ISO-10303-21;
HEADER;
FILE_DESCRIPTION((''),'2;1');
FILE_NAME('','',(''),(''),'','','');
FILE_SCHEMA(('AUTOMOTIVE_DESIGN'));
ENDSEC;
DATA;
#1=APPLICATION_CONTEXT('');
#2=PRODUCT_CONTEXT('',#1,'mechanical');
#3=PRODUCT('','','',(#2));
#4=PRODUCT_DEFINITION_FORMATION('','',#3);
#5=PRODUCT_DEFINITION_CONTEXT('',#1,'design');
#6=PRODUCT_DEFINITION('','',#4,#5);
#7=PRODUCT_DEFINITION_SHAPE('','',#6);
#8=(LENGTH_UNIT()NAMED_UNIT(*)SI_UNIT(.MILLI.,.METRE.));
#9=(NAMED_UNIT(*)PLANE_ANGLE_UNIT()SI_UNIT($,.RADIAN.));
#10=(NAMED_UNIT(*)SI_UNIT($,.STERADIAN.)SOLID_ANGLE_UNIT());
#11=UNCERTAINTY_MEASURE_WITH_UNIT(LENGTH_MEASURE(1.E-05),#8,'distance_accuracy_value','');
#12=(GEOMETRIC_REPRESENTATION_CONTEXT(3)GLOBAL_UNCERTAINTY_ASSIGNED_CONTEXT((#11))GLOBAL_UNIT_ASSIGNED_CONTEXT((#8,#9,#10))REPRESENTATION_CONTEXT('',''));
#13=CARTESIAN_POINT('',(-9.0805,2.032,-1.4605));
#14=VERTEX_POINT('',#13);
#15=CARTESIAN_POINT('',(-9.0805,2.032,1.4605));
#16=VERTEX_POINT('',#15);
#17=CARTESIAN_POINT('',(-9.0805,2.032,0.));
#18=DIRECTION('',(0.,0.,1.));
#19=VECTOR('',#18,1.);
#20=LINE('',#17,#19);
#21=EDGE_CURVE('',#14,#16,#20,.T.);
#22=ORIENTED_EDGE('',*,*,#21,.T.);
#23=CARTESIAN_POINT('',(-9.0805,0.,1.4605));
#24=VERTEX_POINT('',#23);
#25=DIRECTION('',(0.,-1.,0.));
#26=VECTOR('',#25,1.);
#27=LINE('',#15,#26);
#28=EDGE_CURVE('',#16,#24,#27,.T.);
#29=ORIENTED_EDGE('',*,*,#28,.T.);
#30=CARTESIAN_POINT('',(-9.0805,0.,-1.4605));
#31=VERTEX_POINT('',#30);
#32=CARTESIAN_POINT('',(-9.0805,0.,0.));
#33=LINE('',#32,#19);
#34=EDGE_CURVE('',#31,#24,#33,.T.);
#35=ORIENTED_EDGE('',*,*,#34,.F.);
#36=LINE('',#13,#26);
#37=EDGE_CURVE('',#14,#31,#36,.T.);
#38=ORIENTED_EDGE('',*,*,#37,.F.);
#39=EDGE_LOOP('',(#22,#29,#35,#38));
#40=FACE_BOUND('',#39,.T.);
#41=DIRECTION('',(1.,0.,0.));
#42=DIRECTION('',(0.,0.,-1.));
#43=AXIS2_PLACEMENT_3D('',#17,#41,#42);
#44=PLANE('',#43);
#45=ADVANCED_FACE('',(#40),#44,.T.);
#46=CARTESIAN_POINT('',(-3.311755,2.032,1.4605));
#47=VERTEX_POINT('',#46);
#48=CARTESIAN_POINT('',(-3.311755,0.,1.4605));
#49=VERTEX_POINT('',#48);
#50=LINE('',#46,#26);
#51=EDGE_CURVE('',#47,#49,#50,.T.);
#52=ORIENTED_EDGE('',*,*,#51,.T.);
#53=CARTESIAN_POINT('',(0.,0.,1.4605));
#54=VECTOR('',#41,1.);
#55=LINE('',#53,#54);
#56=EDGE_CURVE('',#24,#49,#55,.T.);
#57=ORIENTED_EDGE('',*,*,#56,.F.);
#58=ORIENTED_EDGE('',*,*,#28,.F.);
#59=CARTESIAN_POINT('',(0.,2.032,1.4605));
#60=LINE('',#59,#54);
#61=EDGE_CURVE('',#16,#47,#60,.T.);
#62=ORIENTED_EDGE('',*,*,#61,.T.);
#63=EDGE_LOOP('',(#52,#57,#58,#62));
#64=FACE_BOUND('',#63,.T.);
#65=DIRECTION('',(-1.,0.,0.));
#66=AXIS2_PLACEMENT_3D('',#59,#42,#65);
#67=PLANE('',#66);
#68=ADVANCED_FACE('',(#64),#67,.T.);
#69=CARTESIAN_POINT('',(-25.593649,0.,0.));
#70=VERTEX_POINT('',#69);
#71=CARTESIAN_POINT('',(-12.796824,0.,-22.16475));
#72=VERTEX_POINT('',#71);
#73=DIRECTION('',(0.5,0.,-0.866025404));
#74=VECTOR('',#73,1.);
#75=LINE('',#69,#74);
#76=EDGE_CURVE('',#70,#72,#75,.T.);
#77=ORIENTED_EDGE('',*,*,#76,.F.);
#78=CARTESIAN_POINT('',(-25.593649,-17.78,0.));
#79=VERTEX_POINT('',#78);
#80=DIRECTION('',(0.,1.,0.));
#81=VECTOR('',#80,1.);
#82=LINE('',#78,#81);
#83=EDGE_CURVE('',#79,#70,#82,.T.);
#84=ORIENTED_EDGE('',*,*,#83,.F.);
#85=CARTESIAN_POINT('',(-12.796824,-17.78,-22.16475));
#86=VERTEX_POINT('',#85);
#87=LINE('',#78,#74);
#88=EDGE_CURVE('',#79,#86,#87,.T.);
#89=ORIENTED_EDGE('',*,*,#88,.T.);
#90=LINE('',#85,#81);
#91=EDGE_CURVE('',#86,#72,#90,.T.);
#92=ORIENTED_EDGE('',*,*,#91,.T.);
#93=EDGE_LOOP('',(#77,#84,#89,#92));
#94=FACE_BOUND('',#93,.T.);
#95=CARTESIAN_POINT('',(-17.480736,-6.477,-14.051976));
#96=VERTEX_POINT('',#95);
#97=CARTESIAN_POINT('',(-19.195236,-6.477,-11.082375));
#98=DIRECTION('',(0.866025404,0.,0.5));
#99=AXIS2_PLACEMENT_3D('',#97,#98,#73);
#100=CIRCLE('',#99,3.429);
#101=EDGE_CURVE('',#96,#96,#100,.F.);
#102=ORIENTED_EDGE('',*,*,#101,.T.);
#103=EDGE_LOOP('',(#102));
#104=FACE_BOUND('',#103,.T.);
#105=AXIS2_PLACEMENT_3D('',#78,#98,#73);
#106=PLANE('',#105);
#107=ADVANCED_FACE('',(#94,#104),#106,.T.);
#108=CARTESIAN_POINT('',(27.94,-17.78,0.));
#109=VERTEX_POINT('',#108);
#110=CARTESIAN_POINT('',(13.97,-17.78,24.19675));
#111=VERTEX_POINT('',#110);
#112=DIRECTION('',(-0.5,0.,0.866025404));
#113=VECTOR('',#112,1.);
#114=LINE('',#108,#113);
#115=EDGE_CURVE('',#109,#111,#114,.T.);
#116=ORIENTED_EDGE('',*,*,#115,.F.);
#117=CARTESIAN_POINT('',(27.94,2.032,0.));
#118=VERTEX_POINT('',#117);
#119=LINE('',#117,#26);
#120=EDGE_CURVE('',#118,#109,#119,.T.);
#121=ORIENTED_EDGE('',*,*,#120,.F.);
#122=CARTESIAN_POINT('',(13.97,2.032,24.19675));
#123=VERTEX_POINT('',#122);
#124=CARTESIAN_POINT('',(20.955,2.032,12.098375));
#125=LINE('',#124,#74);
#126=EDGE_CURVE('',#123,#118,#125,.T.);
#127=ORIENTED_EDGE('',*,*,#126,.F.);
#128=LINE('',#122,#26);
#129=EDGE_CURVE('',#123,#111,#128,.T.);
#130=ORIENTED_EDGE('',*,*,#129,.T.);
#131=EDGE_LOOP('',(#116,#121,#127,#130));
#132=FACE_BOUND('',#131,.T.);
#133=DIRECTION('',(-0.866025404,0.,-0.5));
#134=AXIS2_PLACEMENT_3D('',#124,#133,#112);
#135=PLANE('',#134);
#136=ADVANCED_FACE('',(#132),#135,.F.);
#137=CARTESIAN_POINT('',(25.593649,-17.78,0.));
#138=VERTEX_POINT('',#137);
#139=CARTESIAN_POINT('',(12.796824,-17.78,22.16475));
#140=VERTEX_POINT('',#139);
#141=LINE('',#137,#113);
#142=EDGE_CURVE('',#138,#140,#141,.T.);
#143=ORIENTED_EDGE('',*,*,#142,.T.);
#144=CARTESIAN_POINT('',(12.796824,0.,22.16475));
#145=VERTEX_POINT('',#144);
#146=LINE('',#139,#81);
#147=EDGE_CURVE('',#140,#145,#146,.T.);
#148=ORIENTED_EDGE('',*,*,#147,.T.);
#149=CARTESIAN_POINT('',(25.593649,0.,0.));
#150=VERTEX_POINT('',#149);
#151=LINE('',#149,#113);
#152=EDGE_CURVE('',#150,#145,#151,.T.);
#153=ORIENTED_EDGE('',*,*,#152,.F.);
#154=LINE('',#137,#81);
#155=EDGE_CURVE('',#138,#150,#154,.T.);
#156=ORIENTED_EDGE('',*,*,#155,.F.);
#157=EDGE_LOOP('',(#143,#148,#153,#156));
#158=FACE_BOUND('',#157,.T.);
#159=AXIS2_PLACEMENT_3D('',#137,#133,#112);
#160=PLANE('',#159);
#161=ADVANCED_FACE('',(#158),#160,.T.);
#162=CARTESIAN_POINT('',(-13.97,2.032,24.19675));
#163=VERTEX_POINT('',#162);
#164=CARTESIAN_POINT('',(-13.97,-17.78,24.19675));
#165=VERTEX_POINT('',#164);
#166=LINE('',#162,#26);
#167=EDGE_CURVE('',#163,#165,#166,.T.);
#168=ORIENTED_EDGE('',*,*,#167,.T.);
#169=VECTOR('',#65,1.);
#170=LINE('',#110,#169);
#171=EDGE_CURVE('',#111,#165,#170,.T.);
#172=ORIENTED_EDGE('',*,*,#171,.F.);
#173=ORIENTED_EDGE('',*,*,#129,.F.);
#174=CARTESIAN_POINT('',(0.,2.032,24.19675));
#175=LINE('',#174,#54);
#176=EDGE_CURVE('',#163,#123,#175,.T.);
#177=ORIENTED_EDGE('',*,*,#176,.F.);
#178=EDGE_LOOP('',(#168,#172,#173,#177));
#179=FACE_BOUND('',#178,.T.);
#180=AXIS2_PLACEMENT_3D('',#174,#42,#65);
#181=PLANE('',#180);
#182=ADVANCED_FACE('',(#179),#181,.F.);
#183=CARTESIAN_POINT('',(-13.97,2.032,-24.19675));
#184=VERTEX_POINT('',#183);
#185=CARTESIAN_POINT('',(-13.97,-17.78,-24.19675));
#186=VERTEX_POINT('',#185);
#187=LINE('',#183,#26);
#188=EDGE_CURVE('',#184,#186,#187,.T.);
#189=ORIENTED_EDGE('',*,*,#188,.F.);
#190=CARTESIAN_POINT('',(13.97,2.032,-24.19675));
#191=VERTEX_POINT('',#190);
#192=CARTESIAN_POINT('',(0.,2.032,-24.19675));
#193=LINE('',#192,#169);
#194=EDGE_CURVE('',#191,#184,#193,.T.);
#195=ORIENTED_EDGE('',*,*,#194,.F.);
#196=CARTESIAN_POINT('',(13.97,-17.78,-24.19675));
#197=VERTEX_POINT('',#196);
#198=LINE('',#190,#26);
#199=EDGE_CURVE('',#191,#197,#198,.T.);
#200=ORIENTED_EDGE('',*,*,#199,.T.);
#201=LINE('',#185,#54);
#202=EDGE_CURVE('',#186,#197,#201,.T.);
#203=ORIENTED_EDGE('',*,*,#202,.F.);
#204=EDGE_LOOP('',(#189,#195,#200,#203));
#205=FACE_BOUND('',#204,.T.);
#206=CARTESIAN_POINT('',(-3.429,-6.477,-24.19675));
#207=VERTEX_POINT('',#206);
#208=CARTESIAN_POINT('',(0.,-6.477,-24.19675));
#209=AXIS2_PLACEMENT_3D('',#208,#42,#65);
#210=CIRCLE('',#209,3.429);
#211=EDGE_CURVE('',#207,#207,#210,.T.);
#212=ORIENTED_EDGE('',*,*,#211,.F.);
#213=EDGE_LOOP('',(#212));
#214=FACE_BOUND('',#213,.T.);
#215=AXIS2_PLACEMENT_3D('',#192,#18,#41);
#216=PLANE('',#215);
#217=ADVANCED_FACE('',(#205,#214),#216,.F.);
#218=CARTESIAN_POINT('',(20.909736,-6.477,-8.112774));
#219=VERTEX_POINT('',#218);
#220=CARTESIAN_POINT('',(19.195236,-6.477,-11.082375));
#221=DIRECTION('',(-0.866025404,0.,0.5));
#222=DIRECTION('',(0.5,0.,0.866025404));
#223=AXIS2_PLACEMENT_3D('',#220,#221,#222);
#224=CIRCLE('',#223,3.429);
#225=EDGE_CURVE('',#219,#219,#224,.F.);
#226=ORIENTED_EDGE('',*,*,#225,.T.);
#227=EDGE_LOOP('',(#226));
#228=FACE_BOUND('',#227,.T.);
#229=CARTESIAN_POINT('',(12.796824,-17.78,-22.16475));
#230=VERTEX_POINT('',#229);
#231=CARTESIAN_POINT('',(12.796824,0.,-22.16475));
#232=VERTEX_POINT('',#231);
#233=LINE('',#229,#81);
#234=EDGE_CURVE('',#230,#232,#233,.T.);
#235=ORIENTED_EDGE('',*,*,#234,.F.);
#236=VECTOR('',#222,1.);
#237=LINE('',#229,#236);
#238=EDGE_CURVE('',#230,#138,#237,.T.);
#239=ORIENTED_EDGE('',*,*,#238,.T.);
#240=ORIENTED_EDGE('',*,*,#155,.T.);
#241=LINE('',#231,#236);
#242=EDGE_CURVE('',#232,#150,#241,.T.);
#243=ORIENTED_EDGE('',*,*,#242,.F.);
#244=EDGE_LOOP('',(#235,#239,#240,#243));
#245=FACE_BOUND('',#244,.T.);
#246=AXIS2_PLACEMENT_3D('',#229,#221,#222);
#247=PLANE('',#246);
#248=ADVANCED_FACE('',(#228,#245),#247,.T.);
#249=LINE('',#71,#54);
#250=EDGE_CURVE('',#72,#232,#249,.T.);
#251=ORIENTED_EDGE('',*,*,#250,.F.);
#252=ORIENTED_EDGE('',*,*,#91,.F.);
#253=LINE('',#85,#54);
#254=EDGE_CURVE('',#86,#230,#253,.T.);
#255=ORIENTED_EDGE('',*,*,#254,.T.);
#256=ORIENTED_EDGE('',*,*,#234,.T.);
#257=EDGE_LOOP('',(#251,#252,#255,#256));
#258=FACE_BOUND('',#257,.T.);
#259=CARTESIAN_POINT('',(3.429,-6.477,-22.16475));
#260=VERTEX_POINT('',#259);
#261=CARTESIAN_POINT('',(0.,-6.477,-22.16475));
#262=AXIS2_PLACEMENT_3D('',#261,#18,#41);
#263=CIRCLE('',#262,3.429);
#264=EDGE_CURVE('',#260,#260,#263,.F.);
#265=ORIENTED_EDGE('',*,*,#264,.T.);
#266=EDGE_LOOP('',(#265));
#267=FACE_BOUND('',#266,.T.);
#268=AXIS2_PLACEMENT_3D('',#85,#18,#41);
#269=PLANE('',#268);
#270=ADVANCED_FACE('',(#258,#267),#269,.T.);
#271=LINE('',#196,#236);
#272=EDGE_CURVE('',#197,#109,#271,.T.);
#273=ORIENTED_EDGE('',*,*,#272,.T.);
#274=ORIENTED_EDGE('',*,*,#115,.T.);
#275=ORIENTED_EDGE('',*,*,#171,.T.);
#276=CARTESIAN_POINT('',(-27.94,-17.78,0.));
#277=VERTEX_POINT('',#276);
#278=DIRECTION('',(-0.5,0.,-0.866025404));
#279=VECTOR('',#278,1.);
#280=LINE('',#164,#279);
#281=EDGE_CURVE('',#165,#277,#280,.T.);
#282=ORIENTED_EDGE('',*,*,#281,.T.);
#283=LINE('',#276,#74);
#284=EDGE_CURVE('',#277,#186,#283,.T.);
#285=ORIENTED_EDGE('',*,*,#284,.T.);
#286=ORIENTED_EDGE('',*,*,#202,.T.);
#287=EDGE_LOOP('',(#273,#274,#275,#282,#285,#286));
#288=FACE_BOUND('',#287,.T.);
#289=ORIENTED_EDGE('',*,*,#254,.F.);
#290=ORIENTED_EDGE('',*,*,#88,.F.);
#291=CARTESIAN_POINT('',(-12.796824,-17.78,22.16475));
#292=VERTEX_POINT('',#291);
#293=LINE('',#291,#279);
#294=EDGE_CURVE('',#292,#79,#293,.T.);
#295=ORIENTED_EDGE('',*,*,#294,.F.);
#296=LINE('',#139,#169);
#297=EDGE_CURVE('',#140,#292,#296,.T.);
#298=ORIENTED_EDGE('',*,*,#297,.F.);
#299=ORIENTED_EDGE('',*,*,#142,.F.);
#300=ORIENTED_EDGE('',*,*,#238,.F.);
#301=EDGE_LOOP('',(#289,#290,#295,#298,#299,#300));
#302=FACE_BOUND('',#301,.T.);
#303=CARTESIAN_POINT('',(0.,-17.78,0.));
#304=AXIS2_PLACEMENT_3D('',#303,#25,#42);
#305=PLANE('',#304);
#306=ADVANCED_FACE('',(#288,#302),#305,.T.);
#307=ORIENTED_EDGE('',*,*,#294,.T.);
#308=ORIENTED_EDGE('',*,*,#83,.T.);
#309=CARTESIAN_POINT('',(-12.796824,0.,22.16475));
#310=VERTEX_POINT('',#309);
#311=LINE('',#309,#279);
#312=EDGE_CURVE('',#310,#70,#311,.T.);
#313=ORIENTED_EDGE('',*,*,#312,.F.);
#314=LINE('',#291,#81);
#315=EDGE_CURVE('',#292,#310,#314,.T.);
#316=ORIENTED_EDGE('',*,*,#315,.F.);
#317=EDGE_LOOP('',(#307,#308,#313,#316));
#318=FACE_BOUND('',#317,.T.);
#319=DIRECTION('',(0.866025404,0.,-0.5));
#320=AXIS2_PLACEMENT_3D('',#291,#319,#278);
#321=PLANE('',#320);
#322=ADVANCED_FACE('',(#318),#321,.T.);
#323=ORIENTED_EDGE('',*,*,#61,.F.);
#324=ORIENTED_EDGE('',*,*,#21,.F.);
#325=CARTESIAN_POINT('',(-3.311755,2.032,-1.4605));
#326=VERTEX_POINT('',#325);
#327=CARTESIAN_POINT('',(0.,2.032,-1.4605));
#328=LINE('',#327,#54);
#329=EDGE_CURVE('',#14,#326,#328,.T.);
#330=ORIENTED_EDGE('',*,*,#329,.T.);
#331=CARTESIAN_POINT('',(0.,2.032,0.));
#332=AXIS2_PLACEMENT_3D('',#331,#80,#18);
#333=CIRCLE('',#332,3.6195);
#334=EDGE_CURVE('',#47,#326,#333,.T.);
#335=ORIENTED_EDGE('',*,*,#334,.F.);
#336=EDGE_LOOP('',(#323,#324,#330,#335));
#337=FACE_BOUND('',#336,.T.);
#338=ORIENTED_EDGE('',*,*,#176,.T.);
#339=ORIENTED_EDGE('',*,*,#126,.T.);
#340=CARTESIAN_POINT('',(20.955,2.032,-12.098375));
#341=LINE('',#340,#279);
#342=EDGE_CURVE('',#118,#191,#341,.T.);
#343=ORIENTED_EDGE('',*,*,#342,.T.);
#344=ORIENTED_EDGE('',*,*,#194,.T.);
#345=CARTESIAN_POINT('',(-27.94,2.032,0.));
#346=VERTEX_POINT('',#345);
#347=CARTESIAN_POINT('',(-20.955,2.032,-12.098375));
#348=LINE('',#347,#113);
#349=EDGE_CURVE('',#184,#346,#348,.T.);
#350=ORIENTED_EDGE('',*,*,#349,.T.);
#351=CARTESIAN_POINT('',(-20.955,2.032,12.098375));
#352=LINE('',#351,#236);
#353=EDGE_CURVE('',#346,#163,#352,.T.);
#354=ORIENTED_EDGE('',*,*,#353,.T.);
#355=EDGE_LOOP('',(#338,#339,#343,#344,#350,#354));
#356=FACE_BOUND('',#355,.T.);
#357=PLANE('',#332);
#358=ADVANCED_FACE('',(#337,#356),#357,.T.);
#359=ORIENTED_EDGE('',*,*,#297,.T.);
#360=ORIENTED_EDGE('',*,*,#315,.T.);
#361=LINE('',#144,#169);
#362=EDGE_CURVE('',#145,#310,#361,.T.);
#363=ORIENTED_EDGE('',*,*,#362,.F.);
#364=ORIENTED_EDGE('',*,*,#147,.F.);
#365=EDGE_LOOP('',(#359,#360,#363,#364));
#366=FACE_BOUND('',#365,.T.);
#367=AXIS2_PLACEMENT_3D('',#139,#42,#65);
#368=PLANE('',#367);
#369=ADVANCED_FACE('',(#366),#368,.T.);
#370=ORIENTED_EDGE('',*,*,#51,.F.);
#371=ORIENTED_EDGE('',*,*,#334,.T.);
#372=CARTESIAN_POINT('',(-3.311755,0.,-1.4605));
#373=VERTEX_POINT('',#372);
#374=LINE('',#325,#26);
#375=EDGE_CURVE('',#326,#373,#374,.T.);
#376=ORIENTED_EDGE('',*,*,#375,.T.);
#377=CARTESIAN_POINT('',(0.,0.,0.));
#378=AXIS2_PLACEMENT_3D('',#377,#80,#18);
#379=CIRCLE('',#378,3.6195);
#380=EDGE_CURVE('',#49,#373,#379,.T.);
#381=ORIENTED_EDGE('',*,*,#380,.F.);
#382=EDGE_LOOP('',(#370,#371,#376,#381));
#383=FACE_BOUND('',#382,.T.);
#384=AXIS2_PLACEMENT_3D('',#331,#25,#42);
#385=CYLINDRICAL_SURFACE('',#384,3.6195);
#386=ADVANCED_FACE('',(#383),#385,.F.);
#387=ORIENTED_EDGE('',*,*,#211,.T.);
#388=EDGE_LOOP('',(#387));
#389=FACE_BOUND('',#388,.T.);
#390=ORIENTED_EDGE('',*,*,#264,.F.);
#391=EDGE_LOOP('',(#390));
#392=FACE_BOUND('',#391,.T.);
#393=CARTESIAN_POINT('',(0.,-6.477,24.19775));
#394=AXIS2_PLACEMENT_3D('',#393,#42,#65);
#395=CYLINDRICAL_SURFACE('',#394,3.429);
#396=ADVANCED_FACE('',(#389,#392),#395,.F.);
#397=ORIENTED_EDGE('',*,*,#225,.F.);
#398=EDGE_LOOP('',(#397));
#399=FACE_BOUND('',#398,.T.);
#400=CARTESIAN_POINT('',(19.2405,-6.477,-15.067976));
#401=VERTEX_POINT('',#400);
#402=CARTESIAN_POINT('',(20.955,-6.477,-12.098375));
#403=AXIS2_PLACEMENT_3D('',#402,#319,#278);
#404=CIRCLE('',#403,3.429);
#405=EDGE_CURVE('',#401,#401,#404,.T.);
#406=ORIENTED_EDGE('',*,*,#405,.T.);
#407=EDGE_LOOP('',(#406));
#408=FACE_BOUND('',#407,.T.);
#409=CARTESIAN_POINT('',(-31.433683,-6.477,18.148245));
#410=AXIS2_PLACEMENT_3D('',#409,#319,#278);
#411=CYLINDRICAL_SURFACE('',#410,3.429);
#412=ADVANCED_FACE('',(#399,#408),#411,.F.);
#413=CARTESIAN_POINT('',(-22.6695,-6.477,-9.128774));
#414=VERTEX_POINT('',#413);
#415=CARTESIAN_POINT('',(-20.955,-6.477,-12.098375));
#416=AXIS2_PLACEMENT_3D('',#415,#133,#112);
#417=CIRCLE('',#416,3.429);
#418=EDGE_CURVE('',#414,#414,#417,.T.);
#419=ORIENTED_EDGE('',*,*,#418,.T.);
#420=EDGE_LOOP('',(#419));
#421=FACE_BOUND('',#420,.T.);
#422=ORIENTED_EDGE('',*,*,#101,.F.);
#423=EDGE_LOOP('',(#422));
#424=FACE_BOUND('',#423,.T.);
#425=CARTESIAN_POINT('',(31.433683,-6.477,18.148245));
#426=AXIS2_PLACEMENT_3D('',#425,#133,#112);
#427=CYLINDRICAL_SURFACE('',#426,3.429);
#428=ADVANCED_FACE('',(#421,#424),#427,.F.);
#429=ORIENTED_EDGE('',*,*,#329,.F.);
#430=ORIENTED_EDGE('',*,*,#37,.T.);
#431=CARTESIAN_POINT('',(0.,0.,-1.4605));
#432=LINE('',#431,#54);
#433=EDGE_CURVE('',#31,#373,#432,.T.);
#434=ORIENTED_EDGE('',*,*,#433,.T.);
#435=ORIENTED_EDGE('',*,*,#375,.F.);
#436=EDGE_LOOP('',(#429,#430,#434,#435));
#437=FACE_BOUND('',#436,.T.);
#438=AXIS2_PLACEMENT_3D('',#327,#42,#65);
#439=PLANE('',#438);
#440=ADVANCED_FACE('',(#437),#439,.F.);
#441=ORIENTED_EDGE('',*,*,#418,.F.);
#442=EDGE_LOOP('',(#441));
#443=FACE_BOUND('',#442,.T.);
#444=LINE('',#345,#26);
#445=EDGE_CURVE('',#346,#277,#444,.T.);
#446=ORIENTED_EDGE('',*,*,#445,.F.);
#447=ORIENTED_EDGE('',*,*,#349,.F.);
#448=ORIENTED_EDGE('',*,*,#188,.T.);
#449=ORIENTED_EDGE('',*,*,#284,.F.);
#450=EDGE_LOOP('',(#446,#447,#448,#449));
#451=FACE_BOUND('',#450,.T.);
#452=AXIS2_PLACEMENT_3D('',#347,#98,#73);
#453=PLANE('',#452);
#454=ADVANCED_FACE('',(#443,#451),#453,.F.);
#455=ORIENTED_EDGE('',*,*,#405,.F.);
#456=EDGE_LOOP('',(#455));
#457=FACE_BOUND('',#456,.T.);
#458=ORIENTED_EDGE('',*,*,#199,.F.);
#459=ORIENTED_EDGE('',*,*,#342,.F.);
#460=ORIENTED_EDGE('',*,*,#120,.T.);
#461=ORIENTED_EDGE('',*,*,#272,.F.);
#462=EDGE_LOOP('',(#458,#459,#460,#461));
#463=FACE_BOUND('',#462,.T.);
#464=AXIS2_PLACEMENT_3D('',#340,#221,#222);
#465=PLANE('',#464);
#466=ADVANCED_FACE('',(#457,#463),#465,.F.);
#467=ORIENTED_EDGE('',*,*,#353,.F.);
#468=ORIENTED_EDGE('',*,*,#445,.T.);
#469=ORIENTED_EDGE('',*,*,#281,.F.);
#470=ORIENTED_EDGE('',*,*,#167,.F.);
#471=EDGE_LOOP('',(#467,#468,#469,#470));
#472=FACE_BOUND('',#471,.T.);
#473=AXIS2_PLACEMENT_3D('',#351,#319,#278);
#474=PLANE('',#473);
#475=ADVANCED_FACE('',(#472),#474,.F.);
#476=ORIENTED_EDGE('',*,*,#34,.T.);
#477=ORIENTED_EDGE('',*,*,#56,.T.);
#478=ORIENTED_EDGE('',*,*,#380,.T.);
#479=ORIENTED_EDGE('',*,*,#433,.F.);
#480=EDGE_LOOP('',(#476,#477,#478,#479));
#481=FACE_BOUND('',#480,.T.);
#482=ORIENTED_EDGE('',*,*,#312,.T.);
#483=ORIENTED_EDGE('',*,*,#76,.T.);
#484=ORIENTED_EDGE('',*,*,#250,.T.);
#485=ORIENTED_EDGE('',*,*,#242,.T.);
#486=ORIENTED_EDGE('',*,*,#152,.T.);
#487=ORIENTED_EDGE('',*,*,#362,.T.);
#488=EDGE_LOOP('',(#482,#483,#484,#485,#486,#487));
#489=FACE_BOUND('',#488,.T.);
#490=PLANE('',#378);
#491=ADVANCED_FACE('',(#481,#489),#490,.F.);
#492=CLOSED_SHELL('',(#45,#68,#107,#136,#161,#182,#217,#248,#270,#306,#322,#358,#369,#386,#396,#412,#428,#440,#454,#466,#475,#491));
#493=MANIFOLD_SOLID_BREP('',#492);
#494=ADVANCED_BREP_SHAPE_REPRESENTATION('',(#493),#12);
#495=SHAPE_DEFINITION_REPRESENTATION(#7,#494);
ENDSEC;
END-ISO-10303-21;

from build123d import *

# Parameters (mm, degrees)
BOSS_EXTRUDE1_DEPTH = 2.032
BOSS_EXTRUDE2_DEPTH = 17.78
CUT_EXTRUDE1_REACH  = 65.436
SKETCH4_R           = 3.429
CIRPATTERN1_COUNT   = 3
CIRPATTERN1_ANGLE   = 120


with BuildPart() as part:
    # Sketch1 → Boss-Extrude1 (new body)
    with BuildSketch(Plane(origin=(0, 0, 0), x_dir=(1, 0, 0), z_dir=(0, 1, 0))):
        Polygon((13.97, -24.196749782), (27.94, 0), (13.97, 24.196749782), (-13.97, 24.196749782), (-27.94, 0), (-13.97, -24.196749782), align=None)
        with BuildLine():
            Line((-9.0805, -1.4605), (-9.0805, 1.4605))
            Line((-9.0805, 1.4605), (-3.311754822, 1.4605))
            ThreePointArc((-3.311754822, 1.4605), (0.746285358, 3.541728168), (3.6195, 0))
            ThreePointArc((3.6195, 0), (0.746285358, -3.541728168), (-3.311754822, -1.4605))
            Line((-3.311754822, -1.4605), (-9.0805, -1.4605))
        make_face(mode=Mode.SUBTRACT)
    extrude(amount=BOSS_EXTRUDE1_DEPTH)

    # Sketch2 → Boss-Extrude2 (add)
    with BuildSketch(Plane.XZ):
        Polygon((13.97, 24.196749782), (-13.97, 24.196749782), (-27.94, 0), (-13.97, -24.196749782), (13.97, -24.196749782), (27.94, 0), align=None)
        Polygon((12.796824253, 22.164749782), (-12.796824253, 22.164749782), (-25.593648506, 0), (-12.796824253, -22.164749782), (12.796824253, -22.164749782), (25.593648506, 0), align=None, mode=Mode.SUBTRACT)
    extrude(amount=BOSS_EXTRUDE2_DEPTH)

    # Sketch4 → Cut-Extrude1 (cut, up to next)
    with BuildSketch(Plane(origin=(20.955, 0, -12.098374891), x_dir=(-0.49999999999999983, 0, -0.8660254037844387), z_dir=(0.8660254037844387, 0, -0.49999999999999983)), mode=Mode.PRIVATE) as cut_extrude1_sk1:
        with Locations((0, -6.477)):
            Circle(SKETCH4_R)
    cut_extrude1_tool1 = extrude(cut_extrude1_sk1.sketch, amount=-CUT_EXTRUDE1_REACH, mode=Mode.PRIVATE) & part.part
    cut_extrude1 = cut_extrude1_tool1.solids().sort_by_distance((20.955, -6.477, -12.098375))[0]
    add(cut_extrude1, mode=Mode.SUBTRACT)

    # CirPattern1: Cut-Extrude1 ×3 about axis
    cirpattern1_axis = Axis((0, 2.7686, 0), (0, 1, 0))
    for i in range(1, CIRPATTERN1_COUNT):
        add(cut_extrude1.rotate(cirpattern1_axis, i * CIRPATTERN1_ANGLE / (CIRPATTERN1_COUNT - 1)), mode=Mode.SUBTRACT)


solid = part.part
